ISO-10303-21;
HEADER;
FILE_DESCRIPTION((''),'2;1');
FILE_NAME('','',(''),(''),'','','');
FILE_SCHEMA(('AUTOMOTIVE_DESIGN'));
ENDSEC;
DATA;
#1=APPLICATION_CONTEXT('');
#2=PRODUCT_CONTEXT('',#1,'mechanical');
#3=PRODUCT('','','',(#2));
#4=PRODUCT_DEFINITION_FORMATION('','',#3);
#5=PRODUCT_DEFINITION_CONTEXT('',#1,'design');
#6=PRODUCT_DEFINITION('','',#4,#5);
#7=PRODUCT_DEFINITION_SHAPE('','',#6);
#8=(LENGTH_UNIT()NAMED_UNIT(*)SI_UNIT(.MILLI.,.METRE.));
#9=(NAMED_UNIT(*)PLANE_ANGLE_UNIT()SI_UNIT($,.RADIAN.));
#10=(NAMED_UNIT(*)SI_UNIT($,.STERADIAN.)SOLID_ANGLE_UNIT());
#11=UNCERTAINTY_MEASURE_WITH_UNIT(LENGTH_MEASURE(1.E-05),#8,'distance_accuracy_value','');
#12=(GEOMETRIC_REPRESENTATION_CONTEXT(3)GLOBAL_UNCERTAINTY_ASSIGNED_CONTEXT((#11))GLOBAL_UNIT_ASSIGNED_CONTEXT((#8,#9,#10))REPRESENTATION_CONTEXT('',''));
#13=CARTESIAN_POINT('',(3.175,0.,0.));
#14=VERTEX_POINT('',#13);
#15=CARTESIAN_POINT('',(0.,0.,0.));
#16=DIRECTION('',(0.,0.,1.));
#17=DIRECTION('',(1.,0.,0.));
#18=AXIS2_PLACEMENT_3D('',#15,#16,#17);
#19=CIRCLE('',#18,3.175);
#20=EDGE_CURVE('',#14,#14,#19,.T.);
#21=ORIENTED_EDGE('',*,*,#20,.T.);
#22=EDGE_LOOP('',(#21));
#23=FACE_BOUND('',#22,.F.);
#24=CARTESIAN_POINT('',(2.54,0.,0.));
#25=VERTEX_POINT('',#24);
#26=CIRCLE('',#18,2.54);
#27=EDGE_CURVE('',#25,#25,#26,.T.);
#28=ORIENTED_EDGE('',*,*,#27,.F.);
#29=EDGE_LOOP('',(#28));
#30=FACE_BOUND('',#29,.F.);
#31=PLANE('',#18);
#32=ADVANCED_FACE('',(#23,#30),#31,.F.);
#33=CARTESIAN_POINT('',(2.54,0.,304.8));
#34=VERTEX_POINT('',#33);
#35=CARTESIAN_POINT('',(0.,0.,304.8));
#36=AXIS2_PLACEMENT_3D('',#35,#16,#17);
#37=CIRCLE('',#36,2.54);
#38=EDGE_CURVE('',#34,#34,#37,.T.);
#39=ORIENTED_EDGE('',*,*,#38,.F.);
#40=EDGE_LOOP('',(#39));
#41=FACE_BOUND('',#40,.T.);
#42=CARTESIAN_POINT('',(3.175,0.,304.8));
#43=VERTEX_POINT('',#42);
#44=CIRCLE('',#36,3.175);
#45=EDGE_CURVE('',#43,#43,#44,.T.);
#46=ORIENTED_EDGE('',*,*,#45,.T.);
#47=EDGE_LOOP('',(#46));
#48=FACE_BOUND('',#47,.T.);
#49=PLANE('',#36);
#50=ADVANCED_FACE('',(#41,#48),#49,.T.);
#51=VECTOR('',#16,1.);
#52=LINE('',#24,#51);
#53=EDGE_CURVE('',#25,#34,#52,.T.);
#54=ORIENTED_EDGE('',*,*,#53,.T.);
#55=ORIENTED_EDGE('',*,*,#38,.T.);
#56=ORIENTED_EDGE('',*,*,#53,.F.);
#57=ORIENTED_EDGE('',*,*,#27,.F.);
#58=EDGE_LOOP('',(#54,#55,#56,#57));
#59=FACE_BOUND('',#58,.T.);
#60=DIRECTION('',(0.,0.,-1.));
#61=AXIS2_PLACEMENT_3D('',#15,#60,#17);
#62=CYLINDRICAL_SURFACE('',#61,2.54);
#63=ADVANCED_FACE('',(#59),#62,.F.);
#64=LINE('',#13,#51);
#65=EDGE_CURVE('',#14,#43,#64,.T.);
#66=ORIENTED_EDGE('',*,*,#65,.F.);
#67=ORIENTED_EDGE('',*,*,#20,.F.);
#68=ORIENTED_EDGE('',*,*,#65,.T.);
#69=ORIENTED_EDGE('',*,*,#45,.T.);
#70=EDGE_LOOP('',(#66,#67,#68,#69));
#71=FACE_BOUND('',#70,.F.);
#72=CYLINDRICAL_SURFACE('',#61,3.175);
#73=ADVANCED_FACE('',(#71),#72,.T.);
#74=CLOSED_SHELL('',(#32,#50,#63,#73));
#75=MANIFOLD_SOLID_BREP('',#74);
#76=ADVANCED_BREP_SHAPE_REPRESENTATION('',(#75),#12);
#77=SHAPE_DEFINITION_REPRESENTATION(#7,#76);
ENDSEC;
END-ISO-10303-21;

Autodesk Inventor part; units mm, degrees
ref_plane "YZ Plane" through (0, 0, 0) normal (1, 0, 0) x (0, 1, 0)
ref_plane "XZ Plane" through (0, 0, 0) normal (0, 1, 0) x (-1, 0, 0)
ref_plane "XY Plane" through (0, 0, 0) normal (0, 0, 1) x (1, 0, 0)
sketch "Sketch1" plane through (0, 0, 0) normal (0, 0, 1) x (1, 0, 0)
  circle A0 centre (0, 0) radius 3.175
  circle A1 centre (0, 0) radius 2.54
  dimension "d0" = 6.35
  dimension "d1" = 0.635
extrude "Extrusion1" add sketch "Sketch1" along normal blind 304.8
properties part number "Arm Tube"
